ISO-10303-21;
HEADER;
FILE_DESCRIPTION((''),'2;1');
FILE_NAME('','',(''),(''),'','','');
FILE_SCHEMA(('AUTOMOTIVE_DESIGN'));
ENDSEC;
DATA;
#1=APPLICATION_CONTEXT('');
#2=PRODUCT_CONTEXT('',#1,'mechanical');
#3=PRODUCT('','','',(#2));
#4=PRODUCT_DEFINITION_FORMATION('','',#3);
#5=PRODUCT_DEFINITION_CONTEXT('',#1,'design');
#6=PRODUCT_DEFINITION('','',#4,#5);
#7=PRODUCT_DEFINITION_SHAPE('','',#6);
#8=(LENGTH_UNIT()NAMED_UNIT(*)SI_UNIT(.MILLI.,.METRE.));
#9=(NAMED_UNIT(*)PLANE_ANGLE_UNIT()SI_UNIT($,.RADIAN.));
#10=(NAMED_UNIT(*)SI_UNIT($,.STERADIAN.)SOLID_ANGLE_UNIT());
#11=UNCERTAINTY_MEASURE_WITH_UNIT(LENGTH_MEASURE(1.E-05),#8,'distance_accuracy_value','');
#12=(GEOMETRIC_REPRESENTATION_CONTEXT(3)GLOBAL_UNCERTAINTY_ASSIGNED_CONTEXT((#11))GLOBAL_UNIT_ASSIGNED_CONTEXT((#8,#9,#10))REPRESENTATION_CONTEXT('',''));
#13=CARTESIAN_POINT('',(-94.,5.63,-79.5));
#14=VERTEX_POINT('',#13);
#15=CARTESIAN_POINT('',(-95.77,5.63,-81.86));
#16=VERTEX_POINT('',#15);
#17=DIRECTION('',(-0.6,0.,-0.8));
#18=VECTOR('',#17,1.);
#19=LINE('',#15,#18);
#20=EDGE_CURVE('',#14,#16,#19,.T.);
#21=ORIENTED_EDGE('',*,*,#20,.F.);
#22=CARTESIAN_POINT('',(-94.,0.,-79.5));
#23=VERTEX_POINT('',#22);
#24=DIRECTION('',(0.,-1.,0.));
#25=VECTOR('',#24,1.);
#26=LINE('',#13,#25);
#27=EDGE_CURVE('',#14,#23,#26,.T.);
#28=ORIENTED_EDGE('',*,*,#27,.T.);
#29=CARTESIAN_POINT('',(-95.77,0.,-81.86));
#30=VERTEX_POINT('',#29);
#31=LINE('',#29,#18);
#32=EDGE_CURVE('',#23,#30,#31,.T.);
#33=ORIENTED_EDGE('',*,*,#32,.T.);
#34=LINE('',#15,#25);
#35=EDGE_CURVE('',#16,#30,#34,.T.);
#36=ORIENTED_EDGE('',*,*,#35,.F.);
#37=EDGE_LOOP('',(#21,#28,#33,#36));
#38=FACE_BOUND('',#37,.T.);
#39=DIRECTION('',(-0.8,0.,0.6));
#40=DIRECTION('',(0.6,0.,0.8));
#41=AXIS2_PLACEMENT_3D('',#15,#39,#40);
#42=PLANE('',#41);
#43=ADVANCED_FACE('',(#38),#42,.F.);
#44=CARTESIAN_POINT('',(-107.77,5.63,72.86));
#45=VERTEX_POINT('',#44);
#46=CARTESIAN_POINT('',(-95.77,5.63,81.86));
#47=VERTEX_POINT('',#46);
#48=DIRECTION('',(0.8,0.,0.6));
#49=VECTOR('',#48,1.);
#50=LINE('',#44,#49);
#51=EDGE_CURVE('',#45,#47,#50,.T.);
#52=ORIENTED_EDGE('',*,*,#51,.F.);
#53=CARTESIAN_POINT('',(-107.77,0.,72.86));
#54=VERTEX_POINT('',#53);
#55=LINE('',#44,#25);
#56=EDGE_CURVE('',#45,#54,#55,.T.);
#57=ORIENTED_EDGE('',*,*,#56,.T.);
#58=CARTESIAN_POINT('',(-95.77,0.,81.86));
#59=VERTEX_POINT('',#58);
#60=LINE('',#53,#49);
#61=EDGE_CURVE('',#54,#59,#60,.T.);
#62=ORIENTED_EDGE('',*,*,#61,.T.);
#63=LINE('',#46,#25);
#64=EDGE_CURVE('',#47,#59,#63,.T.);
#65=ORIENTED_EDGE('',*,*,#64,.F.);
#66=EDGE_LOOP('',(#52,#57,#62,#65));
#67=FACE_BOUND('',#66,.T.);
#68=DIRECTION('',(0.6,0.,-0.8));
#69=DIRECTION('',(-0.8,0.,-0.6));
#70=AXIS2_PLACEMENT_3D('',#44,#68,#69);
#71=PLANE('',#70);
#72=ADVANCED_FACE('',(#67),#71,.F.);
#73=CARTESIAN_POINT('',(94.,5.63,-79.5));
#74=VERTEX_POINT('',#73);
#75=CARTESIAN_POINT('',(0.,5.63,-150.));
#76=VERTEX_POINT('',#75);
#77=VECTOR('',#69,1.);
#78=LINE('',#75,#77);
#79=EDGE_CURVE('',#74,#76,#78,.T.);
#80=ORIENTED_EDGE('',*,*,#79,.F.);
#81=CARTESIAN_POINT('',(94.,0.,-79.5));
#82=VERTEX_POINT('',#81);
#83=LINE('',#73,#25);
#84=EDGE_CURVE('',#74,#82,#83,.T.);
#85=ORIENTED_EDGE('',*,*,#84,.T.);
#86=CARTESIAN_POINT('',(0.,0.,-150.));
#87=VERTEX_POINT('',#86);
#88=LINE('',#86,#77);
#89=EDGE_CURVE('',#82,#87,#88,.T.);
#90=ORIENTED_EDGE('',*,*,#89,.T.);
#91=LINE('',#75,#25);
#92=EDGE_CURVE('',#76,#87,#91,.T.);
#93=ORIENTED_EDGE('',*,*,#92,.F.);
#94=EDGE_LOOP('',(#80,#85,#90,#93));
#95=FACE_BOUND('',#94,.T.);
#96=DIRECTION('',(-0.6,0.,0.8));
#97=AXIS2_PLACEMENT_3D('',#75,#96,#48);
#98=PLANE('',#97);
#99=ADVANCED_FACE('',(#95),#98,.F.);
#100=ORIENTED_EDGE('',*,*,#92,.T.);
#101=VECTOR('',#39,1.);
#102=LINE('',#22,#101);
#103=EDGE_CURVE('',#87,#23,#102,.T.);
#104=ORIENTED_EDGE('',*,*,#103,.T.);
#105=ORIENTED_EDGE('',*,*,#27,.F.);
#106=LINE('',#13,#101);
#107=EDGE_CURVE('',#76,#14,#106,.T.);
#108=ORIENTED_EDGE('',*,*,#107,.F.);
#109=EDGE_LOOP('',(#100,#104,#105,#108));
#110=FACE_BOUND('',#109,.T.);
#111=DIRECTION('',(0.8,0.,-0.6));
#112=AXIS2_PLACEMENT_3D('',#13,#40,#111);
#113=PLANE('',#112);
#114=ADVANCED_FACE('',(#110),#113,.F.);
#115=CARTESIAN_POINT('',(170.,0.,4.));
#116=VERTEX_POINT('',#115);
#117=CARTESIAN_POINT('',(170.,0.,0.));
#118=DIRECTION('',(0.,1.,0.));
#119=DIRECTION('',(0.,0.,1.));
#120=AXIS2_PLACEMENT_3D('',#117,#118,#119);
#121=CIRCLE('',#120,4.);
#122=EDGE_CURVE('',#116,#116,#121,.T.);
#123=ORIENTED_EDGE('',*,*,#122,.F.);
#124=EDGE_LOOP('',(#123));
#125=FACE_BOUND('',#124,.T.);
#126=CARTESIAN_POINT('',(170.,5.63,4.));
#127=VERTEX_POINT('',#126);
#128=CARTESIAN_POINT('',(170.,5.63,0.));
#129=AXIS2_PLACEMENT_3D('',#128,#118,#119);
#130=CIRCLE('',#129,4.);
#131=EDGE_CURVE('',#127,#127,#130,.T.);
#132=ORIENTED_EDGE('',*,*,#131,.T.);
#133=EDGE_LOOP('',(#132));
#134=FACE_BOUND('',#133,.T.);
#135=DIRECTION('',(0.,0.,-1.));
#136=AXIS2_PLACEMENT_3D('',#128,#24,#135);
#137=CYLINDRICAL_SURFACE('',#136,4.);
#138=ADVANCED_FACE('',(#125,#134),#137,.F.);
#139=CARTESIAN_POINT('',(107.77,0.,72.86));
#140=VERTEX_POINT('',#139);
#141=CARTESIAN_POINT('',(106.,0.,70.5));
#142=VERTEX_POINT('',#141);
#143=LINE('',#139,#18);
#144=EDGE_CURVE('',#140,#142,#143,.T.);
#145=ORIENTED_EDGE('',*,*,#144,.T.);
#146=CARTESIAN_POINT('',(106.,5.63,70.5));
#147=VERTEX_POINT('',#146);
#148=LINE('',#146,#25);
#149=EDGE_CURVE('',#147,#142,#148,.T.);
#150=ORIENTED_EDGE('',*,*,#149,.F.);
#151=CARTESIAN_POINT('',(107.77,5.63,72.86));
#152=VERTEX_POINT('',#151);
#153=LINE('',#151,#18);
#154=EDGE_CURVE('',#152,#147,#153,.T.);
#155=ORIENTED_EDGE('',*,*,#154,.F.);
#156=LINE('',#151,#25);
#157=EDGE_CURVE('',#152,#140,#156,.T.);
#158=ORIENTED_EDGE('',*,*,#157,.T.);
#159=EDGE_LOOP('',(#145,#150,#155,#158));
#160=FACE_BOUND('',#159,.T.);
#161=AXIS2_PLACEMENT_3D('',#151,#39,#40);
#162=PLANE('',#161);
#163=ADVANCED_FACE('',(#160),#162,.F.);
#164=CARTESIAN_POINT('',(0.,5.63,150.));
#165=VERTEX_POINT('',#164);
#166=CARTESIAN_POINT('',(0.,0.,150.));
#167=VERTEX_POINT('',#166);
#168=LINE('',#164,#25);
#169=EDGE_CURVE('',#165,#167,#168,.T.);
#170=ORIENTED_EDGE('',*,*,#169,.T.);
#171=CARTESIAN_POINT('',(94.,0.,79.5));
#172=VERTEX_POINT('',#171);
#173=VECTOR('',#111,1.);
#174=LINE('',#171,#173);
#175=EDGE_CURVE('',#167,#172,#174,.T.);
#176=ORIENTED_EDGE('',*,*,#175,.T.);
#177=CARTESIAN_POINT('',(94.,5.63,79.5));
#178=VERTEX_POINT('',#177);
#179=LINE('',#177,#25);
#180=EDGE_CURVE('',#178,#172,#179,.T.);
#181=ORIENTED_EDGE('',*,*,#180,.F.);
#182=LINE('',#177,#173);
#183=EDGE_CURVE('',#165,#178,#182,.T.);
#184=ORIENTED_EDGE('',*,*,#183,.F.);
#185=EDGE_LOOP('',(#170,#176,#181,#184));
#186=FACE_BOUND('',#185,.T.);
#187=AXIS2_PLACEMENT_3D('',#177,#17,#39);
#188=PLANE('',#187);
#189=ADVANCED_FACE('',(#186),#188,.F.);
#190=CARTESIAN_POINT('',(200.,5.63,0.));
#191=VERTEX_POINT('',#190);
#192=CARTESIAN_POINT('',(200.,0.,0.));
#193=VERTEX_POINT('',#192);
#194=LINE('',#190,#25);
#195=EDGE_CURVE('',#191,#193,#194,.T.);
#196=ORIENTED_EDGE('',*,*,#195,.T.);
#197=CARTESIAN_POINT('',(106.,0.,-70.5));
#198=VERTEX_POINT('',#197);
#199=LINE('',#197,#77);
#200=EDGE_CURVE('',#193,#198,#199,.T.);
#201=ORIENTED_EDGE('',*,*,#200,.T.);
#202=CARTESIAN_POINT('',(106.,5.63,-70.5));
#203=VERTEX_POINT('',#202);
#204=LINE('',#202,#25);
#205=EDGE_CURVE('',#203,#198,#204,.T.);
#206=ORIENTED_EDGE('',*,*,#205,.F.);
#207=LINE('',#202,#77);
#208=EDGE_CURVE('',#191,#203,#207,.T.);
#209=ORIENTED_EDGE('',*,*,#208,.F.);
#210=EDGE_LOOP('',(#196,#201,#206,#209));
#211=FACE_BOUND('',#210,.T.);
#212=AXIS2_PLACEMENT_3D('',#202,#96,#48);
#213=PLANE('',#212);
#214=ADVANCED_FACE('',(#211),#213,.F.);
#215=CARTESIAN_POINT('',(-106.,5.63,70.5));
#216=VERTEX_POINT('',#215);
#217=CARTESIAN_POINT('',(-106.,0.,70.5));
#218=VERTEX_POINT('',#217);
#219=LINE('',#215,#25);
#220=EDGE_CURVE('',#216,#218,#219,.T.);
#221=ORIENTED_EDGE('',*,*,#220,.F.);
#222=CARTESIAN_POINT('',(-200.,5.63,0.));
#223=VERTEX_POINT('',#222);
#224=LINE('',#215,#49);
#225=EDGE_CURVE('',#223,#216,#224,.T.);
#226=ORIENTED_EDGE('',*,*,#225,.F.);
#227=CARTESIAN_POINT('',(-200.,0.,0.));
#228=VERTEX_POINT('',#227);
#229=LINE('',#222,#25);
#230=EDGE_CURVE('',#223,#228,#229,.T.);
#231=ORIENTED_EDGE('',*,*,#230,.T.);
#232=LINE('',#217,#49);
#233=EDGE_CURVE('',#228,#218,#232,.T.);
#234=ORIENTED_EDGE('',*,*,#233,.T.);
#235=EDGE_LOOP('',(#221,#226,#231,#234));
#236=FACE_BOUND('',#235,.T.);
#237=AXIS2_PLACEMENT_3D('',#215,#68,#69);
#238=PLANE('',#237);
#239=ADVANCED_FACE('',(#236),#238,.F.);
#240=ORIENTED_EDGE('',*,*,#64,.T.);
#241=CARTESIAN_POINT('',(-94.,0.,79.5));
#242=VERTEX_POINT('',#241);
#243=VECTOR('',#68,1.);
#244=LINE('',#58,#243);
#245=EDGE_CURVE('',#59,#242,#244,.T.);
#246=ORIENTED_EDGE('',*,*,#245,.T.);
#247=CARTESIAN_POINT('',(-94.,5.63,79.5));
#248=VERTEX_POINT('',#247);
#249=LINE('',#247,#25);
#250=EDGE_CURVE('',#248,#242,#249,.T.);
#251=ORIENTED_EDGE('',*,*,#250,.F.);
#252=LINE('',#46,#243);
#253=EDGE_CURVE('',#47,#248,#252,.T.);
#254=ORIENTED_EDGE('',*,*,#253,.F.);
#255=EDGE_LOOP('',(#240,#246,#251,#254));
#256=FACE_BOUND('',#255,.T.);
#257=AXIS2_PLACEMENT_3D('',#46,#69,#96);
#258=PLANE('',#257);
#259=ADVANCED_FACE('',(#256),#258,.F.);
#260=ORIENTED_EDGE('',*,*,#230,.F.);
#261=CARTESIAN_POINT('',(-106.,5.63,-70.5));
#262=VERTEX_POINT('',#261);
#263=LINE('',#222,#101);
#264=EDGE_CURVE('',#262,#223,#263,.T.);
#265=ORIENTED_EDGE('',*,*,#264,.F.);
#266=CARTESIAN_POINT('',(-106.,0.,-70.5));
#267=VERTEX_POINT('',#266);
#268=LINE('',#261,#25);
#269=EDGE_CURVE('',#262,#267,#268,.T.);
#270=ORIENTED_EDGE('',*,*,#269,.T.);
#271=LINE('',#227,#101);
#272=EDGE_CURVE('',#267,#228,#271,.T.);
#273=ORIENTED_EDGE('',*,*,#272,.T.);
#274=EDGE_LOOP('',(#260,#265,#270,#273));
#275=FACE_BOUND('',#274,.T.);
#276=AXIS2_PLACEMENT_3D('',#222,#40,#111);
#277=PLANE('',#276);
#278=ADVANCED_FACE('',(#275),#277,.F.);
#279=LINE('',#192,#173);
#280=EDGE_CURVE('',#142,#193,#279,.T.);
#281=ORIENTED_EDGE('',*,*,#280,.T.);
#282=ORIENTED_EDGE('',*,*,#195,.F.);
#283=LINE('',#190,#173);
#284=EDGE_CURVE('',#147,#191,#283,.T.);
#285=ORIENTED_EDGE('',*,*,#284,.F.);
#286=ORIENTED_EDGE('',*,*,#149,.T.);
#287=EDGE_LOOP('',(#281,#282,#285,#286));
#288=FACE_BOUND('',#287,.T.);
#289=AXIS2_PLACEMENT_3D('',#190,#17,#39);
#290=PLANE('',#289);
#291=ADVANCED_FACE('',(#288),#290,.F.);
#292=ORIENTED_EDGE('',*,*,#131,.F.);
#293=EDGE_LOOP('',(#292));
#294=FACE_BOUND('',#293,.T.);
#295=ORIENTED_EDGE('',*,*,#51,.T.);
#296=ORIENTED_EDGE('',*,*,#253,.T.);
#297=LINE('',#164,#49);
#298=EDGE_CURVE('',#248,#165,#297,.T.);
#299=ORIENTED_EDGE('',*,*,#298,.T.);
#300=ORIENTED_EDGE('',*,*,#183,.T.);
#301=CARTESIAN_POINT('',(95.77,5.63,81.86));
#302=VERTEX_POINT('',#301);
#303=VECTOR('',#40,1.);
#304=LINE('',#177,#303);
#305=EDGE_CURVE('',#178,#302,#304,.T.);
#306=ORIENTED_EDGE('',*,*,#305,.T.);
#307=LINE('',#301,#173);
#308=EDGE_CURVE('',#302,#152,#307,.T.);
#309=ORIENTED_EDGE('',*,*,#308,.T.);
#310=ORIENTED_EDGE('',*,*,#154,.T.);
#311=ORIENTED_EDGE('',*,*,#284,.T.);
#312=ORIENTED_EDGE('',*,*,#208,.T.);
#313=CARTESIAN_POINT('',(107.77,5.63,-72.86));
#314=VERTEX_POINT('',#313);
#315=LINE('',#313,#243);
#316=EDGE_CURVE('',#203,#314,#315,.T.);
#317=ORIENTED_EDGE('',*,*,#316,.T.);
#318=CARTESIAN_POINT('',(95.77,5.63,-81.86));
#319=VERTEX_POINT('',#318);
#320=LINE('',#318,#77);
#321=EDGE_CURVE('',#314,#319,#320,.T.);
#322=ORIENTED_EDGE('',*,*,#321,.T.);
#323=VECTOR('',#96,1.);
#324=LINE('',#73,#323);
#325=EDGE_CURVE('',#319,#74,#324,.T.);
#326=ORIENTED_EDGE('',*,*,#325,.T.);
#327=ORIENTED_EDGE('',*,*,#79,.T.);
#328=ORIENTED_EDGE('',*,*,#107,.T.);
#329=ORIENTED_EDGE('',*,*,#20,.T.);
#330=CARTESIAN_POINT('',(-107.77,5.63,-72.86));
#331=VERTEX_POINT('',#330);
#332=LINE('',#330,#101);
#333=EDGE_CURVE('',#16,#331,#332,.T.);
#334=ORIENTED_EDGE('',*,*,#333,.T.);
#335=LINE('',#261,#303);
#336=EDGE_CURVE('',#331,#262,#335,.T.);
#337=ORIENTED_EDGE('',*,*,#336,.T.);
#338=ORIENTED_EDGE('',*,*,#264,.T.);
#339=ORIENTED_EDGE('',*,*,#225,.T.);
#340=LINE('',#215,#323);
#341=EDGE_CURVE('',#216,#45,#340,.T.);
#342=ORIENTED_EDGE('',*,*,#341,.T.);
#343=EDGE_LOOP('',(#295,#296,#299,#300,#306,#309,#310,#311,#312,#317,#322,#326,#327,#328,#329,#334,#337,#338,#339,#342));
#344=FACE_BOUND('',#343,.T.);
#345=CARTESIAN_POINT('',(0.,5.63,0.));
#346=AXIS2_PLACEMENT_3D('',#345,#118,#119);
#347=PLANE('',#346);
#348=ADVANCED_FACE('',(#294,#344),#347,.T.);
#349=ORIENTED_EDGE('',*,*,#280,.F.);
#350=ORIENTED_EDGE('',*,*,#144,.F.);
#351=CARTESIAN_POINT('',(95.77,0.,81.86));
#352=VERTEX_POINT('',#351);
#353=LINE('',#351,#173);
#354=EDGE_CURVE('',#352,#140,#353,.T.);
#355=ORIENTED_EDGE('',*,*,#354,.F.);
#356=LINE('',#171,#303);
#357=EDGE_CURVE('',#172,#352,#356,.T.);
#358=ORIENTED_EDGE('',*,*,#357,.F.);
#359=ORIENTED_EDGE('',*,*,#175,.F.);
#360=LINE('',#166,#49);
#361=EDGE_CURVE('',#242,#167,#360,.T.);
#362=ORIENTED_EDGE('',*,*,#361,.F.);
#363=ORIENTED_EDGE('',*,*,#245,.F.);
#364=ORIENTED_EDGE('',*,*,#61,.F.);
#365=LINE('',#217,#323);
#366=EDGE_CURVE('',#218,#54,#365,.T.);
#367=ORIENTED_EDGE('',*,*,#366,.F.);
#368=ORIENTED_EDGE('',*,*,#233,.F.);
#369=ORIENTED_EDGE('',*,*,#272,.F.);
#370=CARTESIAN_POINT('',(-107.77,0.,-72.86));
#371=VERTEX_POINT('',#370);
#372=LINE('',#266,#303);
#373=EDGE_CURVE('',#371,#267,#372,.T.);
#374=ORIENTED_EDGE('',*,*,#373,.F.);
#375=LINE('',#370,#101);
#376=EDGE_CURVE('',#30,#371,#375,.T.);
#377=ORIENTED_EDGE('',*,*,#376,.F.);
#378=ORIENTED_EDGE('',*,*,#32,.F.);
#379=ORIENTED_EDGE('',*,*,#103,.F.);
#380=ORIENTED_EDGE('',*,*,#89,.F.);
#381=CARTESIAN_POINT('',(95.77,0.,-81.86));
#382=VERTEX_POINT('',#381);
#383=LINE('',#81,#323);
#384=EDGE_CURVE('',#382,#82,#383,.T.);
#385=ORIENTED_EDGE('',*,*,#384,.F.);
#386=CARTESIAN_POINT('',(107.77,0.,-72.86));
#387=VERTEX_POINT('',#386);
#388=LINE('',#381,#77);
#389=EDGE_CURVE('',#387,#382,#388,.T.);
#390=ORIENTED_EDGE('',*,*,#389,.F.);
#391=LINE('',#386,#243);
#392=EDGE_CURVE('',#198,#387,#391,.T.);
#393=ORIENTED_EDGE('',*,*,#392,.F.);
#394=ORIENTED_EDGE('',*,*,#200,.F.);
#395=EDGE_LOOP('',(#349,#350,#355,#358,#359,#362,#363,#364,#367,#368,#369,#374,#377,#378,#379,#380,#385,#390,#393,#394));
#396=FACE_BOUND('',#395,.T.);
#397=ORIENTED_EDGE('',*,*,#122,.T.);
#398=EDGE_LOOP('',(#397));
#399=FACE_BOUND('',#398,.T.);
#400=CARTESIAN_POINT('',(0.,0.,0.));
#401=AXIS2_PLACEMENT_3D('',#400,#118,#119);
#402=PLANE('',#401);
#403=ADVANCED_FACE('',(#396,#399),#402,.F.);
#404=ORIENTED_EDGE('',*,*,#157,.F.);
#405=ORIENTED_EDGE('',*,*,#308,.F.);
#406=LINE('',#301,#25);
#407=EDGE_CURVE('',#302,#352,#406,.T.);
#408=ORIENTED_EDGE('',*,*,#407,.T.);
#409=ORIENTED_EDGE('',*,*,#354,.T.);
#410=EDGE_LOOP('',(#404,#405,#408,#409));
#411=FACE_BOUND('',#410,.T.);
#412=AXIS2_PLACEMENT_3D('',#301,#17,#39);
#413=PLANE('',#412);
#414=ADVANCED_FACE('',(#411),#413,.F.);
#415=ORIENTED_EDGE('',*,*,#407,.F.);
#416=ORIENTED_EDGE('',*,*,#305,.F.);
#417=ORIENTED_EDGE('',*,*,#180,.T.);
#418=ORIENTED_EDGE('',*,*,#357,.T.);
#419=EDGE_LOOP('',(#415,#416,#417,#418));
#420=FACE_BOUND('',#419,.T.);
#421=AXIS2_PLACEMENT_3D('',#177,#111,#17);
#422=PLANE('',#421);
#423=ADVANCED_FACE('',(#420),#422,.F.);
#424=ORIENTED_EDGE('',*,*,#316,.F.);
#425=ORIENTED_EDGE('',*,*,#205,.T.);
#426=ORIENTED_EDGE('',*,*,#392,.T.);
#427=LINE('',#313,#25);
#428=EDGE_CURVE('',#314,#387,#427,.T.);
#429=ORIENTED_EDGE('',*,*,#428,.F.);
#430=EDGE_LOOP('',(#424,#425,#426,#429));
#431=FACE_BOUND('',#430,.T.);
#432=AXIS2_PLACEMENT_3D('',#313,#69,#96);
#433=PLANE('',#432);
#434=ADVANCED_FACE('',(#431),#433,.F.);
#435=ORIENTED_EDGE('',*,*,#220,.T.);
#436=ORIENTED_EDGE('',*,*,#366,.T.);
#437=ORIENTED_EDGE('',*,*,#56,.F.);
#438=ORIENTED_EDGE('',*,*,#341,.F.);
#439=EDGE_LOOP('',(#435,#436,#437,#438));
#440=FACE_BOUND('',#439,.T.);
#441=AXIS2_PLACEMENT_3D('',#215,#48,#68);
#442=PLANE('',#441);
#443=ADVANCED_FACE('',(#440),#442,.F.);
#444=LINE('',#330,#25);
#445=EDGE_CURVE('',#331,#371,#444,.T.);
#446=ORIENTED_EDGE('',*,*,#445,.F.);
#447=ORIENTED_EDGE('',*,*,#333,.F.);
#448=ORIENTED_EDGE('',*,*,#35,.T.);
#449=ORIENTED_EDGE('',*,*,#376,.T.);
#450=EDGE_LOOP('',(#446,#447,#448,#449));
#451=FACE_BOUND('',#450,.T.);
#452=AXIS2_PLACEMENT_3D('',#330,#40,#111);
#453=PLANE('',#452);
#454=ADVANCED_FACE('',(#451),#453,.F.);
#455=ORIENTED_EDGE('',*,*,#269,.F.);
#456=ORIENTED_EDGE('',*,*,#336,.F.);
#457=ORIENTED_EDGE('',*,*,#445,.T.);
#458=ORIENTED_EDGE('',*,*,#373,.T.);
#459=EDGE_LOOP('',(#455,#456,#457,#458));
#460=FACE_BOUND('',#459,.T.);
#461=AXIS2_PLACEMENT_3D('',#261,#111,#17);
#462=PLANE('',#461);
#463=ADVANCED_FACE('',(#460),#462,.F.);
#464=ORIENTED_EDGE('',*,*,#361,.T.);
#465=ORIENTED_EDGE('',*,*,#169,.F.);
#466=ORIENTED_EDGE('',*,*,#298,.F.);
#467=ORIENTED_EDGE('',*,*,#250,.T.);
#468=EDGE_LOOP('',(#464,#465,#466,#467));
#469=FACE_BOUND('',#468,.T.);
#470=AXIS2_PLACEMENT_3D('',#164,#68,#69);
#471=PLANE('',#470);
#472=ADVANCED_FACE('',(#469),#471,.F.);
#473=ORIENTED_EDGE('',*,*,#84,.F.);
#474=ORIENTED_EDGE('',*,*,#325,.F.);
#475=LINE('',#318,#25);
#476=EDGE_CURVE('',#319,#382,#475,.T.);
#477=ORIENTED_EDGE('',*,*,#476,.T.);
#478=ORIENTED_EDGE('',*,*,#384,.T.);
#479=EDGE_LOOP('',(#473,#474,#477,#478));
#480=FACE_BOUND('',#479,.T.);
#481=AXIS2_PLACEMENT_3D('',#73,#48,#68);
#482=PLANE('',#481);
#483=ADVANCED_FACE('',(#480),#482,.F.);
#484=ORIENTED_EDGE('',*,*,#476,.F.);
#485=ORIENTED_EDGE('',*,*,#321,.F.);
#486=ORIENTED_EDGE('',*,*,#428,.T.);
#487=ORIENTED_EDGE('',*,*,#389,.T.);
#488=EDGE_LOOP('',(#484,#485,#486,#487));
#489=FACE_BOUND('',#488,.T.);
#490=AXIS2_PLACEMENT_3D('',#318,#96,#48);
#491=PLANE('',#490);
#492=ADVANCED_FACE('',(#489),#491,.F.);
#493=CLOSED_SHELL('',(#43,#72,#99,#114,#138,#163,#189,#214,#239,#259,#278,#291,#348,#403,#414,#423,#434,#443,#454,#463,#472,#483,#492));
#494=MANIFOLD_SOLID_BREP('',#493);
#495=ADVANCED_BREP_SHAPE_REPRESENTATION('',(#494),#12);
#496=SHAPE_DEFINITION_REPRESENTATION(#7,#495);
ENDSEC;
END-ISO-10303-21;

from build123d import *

# Parameters (mm, degrees)
SKETCH1_R           = 4
BOSS_EXTRUDE1_DEPTH = 5.63


with BuildPart() as part:
    # Sketch1 → Boss-Extrude1 (new body)
    with BuildSketch(Plane(origin=(0, 0, 0), x_dir=(1, 0, 0), z_dir=(0, 1, 0))):
        Polygon((0, 150), (94, 79.5), (95.77, 81.86), (107.77, 72.86), (106, 70.5), (200, 0), (106, -70.5), (107.77, -72.86), (95.77, -81.86), (94, -79.5), (0, -150), (-94, -79.5), (-95.77, -81.86), (-107.77, -72.86), (-106, -70.5), (-200, 0), (-106, 70.5), (-107.77, 72.86), (-95.77, 81.86), (-94, 79.5), align=None)
        with Locations(Location((170, 0, 0), (0, 0, 270))):
            Circle(SKETCH1_R, mode=Mode.SUBTRACT)
    extrude(amount=BOSS_EXTRUDE1_DEPTH)


solid = part.part
